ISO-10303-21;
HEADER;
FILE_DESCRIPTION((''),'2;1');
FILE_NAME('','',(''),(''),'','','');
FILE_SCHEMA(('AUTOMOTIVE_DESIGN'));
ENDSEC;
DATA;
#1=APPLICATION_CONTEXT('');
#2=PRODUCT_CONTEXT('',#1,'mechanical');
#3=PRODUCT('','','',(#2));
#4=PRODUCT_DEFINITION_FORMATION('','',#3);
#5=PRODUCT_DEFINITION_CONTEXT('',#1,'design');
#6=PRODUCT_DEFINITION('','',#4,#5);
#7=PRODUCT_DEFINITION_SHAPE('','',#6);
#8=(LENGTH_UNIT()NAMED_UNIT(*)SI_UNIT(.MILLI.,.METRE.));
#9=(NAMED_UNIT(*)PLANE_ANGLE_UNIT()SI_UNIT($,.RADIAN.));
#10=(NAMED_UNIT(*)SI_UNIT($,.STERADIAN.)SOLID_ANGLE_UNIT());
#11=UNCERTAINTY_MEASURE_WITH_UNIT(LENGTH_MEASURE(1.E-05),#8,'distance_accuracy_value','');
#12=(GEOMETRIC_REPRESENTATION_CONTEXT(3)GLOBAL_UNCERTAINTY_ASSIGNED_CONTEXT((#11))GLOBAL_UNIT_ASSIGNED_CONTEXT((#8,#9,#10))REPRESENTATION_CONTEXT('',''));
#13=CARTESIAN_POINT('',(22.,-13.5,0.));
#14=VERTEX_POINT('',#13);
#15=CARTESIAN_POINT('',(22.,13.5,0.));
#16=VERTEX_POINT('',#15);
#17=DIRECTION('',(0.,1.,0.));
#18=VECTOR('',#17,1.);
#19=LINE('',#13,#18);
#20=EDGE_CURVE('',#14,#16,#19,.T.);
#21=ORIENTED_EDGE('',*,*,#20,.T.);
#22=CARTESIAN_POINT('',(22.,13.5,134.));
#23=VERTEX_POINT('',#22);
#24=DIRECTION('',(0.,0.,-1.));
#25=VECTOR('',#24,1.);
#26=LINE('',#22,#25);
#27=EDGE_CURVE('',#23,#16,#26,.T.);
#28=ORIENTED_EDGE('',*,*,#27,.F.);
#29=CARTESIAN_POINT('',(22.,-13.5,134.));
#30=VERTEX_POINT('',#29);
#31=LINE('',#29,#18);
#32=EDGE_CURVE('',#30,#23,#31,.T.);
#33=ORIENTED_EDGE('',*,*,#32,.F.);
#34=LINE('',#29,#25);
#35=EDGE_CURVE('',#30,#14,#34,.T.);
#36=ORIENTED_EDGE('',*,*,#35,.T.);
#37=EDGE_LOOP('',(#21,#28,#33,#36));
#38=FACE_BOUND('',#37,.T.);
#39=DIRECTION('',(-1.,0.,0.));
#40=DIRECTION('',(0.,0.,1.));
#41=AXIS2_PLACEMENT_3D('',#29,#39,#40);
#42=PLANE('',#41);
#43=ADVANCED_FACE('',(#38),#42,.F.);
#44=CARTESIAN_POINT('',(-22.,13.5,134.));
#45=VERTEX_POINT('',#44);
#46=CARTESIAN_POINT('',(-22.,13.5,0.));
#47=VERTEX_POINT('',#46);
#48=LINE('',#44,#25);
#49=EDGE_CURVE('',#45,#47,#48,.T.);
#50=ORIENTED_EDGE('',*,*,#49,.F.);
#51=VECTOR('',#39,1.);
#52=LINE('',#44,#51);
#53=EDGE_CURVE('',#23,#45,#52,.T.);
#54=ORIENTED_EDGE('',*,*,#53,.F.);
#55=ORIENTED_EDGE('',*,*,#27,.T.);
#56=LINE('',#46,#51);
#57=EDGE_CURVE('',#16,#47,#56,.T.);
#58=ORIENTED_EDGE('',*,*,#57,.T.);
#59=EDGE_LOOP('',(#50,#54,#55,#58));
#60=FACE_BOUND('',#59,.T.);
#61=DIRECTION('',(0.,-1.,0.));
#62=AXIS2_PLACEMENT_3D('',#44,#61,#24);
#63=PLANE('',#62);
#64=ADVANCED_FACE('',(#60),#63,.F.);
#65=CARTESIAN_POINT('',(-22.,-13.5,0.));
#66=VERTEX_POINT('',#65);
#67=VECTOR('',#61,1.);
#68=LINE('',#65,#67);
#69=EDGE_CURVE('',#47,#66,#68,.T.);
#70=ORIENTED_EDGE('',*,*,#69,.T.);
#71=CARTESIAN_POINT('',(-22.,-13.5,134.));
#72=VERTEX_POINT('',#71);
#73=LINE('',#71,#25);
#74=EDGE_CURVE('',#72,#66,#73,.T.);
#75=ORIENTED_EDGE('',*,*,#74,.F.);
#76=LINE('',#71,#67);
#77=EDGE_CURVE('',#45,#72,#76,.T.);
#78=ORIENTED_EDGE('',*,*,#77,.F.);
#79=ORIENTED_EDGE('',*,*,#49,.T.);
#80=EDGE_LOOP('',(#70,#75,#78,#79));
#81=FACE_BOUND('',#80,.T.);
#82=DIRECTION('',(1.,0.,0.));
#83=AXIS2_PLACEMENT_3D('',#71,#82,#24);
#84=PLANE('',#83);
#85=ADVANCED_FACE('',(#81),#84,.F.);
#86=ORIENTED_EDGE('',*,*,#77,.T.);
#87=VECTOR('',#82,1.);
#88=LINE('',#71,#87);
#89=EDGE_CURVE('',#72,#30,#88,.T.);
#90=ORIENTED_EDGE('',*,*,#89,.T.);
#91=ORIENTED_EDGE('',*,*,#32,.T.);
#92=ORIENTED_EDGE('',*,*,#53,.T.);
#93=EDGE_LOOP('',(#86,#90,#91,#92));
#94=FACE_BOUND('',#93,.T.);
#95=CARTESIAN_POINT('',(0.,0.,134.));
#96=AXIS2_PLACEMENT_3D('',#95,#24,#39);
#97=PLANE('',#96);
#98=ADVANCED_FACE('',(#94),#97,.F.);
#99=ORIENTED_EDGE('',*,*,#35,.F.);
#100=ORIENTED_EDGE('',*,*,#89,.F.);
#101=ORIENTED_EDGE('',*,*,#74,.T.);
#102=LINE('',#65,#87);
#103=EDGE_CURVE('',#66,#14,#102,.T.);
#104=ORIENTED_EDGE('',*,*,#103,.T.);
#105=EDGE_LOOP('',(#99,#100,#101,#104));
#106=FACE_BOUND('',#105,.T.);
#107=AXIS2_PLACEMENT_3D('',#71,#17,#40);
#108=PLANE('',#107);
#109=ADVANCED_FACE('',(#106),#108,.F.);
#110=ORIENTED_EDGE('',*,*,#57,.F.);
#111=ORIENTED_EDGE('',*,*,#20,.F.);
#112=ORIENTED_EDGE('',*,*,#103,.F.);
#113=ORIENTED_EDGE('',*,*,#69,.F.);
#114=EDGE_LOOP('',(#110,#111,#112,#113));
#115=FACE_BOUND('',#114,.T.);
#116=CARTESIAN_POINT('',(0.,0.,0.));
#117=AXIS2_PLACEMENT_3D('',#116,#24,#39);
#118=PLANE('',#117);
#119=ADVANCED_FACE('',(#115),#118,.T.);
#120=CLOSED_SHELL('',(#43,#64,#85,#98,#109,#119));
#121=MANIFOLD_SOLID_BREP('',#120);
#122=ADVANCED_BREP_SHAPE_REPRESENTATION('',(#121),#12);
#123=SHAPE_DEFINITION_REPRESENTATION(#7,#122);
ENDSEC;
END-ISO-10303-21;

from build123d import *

# Parameters (mm, degrees)
SKETCH1_W           = 44
SKETCH1_H           = 27
BOSS_EXTRUDE1_DEPTH = 134


with BuildPart() as part:
    # Sketch1 → Boss-Extrude1 (new body)
    with BuildSketch(Plane.XY):
        Rectangle(SKETCH1_W, SKETCH1_H)
    extrude(amount=BOSS_EXTRUDE1_DEPTH)


solid = part.part
